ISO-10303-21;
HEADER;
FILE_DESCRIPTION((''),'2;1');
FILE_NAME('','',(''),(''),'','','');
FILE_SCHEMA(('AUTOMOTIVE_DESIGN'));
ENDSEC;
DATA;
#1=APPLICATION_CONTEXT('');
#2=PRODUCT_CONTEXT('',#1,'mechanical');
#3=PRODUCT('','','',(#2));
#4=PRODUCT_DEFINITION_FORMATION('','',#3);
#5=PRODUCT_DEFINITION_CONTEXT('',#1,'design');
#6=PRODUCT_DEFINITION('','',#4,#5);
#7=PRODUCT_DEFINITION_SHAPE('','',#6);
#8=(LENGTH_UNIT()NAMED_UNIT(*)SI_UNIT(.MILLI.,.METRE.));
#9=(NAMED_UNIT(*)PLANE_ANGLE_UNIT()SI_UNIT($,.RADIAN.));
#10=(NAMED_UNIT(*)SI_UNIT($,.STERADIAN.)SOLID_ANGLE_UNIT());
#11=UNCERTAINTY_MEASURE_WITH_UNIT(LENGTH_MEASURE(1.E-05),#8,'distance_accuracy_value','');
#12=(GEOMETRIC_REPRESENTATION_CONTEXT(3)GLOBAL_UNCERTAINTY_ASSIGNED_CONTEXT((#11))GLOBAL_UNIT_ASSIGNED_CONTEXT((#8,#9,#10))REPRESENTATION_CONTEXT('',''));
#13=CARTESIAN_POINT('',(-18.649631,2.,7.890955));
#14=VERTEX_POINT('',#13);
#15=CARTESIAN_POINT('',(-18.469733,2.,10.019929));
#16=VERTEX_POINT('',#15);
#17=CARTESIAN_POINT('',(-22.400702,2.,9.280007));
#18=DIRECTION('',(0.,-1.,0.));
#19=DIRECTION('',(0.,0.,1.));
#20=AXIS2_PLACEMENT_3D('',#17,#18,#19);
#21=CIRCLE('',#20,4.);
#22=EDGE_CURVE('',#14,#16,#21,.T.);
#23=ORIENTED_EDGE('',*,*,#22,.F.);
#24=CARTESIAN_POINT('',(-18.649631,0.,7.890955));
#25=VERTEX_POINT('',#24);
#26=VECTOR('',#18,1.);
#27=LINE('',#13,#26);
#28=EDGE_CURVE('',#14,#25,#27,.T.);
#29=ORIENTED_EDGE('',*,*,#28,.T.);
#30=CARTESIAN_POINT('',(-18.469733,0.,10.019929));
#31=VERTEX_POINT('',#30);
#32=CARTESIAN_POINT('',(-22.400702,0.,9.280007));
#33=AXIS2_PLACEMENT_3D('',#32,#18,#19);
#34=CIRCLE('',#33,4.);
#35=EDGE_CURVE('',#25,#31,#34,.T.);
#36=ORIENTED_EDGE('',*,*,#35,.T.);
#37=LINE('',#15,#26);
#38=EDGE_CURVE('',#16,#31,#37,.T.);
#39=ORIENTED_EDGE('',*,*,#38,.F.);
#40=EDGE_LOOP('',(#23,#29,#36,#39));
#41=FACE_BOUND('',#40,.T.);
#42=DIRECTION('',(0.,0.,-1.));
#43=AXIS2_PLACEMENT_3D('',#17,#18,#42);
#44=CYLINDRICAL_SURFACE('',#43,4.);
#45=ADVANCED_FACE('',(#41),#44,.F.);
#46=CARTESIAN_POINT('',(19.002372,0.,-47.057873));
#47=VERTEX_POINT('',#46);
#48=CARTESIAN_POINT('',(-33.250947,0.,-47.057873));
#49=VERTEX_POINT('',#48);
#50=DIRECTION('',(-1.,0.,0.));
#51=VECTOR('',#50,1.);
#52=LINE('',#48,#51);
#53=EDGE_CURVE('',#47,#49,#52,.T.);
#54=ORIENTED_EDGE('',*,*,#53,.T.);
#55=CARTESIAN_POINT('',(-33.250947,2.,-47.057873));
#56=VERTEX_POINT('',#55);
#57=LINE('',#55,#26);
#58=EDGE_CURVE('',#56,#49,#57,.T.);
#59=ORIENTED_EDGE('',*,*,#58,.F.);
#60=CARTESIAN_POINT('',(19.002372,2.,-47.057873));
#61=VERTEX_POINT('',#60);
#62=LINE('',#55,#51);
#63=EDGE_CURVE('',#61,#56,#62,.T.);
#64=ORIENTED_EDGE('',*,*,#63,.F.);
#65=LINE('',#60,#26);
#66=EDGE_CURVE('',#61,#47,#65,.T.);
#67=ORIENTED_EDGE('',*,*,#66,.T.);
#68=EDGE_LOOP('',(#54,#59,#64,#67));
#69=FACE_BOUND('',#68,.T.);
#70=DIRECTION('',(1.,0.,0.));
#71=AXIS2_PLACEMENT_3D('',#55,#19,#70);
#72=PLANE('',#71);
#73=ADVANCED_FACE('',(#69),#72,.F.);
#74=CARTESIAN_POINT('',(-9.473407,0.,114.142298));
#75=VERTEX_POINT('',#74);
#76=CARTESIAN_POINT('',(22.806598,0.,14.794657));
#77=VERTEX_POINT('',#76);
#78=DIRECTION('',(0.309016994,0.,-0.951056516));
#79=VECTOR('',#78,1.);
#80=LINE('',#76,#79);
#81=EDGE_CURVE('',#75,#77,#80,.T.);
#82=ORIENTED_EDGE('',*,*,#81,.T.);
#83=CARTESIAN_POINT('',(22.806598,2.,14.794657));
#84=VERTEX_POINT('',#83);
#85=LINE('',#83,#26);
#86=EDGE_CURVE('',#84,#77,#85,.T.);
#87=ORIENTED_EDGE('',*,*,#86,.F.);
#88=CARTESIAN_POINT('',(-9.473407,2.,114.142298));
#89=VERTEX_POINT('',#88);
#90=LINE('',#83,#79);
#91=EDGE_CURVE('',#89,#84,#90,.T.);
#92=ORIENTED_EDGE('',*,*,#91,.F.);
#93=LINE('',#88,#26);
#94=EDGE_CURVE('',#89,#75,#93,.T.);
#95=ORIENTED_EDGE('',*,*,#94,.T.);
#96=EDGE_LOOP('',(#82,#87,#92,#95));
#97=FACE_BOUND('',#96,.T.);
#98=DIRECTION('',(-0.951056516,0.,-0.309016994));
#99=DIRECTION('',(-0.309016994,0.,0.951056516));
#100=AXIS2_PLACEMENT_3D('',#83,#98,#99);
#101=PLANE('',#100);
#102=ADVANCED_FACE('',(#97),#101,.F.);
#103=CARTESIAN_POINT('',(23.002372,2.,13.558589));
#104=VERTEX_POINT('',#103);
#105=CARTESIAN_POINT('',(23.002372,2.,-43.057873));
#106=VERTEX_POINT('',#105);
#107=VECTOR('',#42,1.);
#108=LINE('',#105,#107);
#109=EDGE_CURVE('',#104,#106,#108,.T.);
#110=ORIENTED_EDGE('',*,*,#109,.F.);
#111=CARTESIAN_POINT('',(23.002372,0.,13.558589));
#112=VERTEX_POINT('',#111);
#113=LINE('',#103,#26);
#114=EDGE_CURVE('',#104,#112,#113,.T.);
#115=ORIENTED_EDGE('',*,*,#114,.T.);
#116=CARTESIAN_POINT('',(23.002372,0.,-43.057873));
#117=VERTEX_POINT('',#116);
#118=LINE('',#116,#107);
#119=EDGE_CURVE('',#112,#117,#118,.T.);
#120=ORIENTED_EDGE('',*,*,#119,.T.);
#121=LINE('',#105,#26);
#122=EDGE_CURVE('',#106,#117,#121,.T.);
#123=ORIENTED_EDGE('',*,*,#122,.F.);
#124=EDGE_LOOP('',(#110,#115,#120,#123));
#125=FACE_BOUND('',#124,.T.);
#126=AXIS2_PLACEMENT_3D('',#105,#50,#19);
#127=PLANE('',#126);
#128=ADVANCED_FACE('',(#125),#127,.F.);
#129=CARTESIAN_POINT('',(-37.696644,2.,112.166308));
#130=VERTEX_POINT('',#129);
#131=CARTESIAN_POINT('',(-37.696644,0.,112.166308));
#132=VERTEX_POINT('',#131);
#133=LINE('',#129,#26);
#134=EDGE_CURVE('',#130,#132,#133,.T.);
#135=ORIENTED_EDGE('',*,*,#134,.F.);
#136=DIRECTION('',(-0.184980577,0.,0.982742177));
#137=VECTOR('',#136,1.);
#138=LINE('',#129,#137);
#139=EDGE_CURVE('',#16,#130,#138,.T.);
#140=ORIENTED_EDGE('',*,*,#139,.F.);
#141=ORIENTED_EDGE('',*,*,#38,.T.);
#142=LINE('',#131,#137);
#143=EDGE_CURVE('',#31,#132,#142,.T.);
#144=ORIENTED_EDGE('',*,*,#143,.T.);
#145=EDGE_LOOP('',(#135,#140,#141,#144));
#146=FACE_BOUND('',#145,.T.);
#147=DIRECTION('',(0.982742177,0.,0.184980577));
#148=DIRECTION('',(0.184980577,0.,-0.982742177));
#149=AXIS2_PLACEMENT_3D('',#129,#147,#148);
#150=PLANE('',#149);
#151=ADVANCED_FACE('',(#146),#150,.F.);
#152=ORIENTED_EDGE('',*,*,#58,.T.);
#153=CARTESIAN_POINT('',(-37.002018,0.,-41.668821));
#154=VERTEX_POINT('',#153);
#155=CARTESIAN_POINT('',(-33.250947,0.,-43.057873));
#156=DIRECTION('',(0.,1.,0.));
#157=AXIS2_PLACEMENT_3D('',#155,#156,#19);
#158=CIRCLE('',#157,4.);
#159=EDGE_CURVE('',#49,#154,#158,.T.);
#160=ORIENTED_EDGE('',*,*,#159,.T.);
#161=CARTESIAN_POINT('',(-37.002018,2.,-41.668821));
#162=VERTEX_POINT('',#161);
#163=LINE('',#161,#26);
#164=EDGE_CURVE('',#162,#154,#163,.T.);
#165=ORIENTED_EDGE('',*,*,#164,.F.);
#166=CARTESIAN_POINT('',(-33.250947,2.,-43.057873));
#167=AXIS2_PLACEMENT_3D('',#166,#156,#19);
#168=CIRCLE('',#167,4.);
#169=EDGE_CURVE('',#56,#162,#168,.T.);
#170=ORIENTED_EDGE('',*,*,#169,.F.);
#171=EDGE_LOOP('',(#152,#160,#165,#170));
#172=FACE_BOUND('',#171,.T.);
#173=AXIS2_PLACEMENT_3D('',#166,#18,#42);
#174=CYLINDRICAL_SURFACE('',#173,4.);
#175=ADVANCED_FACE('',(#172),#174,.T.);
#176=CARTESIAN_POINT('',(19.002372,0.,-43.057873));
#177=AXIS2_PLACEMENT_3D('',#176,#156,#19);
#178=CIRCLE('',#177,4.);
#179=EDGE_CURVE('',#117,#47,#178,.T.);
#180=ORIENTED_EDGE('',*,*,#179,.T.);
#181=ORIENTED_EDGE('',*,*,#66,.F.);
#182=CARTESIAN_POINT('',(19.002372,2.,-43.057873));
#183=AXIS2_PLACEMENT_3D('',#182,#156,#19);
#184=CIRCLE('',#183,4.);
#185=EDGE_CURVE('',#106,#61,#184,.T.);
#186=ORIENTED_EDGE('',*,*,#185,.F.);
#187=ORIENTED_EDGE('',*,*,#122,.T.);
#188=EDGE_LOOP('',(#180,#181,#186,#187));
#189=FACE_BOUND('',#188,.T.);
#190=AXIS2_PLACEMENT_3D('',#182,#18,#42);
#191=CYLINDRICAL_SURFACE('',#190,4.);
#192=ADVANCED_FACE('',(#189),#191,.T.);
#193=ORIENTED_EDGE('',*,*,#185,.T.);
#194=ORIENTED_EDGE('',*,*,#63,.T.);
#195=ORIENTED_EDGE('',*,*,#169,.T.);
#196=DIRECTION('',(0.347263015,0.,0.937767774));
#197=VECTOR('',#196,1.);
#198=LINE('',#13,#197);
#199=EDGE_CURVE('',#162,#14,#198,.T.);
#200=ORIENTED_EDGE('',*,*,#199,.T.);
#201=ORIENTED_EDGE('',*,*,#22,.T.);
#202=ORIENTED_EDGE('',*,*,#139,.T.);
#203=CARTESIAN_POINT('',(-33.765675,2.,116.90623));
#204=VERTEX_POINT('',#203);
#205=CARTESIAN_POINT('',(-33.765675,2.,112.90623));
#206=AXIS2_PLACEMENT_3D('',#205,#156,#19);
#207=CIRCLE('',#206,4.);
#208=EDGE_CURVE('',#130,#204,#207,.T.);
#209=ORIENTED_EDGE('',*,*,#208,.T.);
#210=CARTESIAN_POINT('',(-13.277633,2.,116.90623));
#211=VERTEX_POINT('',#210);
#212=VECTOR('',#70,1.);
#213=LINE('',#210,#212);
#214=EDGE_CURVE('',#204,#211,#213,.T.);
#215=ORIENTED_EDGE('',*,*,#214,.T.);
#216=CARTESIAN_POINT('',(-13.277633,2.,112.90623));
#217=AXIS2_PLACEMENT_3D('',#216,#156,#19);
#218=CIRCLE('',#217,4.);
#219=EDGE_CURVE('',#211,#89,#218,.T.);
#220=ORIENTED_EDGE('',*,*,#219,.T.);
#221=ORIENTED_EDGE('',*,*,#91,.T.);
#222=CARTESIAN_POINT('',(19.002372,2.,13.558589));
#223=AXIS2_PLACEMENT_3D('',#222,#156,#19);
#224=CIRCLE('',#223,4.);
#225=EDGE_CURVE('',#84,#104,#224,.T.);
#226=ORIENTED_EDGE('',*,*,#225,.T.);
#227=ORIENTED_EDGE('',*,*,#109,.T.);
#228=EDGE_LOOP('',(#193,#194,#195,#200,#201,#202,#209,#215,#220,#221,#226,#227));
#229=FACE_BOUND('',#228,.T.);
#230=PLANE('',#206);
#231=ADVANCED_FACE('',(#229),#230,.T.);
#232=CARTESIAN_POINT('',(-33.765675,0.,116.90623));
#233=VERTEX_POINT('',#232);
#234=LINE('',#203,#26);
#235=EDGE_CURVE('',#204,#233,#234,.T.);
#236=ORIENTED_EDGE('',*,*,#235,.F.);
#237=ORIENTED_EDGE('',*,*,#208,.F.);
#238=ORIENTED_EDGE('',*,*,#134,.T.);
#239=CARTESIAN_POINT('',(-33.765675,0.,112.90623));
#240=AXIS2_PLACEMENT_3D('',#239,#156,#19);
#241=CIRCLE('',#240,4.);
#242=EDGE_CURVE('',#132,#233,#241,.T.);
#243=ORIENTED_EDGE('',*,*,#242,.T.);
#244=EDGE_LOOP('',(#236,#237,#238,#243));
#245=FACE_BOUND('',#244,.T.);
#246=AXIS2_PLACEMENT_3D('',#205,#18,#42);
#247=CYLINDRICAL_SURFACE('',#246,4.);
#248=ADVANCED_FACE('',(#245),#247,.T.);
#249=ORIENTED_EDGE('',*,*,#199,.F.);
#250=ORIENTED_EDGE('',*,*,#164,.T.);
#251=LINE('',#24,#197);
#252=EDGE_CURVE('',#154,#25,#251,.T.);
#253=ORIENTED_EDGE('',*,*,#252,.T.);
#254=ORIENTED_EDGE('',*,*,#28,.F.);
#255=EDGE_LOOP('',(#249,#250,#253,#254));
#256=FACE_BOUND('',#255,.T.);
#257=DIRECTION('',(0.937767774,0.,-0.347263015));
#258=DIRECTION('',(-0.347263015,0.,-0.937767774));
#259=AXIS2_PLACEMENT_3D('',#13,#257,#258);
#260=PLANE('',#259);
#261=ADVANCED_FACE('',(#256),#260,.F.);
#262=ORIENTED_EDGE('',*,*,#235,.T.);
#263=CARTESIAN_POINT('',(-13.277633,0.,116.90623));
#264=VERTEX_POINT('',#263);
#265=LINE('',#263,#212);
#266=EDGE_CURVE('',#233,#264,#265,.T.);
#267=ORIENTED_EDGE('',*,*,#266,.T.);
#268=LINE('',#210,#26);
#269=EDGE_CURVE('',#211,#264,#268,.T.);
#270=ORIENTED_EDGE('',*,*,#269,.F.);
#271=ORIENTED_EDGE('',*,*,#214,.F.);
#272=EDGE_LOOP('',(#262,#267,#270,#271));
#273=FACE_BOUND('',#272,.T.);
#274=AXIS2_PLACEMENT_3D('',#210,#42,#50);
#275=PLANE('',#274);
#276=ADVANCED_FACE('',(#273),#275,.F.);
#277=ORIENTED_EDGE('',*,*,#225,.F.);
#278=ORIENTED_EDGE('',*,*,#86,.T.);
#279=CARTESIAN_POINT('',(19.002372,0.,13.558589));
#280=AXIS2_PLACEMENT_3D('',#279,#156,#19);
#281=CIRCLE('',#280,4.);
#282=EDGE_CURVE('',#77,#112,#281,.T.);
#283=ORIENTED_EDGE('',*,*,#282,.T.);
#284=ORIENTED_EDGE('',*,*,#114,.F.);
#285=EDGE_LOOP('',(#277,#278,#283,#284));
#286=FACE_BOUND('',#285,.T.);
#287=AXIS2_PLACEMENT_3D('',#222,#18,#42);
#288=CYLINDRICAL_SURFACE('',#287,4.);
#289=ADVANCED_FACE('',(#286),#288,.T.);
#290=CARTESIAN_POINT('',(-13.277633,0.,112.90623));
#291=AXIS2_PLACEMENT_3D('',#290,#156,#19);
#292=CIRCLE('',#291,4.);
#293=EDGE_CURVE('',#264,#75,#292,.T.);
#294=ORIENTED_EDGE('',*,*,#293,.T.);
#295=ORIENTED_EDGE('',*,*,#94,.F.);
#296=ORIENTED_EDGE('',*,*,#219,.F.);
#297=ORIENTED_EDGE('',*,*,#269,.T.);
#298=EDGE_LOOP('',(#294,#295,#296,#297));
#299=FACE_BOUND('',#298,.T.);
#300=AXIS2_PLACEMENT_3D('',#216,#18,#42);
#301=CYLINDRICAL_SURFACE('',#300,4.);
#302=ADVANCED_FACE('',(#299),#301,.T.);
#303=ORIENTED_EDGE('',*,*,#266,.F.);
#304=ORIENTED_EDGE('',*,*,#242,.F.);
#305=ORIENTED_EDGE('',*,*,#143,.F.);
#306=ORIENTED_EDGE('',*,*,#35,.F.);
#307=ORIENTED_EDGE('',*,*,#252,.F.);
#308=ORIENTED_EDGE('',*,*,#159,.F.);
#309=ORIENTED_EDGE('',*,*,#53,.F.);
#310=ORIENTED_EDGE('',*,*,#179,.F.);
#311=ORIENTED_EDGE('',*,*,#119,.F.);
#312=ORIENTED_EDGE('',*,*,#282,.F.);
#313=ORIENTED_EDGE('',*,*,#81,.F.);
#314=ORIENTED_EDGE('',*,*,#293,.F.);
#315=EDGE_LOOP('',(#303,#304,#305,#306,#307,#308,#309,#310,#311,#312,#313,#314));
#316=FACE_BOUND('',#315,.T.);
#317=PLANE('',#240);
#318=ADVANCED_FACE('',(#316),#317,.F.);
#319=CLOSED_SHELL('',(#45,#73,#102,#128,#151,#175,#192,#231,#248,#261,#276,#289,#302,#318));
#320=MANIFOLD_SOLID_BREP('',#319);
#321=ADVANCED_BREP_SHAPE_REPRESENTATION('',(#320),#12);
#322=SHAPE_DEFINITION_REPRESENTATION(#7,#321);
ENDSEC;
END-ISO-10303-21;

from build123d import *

# Parameters (mm, degrees)
BOSS_EXTRUDE1_DEPTH = 2


with BuildPart() as part:
    # Sketch1 → Boss-Extrude1 (new body)
    with BuildSketch(Plane(origin=(0, 0, 0), x_dir=(1, 0, 0), z_dir=(0, 1, 0))):
        with BuildLine():
            Line((-37.696644009, -112.166307969), (-18.469733274, -10.019929084))
            ThreePointArc((-18.469733274, -10.019929084), (-18.414906345, -8.943208399), (-18.649630885, -7.890954715))
            Line((-18.649630885, -7.890954715), (-37.002018096, 41.668821421))
            ThreePointArc((-37.002018096, 41.668821421), (-36.533949303, 45.343020278), (-33.250947, 47.057873482))
            Line((-33.250947, 47.057873482), (19.002372201, 47.057873482))
            ThreePointArc((19.002372201, 47.057873482), (21.830799325, 45.886300607), (23.002372201, 43.057873482))
            Line((23.002372201, 43.057873482), (23.002372201, -13.558588756))
            ThreePointArc((23.002372201, -13.558588756), (22.953125563, -14.184326617), (22.806598266, -14.794656734))
            Line((22.806598266, -14.794656734), (-9.473407239, -114.142298255))
            ThreePointArc((-9.473407239, -114.142298255), (-10.926492295, -116.142298255), (-13.277633304, -116.906230278))
            Line((-13.277633304, -116.906230278), (-33.765675302, -116.906230278))
            ThreePointArc((-33.765675302, -116.906230278), (-36.844610932, -115.459689771), (-37.696644009, -112.166307969))
        make_face()
    extrude(amount=BOSS_EXTRUDE1_DEPTH)


solid = part.part
